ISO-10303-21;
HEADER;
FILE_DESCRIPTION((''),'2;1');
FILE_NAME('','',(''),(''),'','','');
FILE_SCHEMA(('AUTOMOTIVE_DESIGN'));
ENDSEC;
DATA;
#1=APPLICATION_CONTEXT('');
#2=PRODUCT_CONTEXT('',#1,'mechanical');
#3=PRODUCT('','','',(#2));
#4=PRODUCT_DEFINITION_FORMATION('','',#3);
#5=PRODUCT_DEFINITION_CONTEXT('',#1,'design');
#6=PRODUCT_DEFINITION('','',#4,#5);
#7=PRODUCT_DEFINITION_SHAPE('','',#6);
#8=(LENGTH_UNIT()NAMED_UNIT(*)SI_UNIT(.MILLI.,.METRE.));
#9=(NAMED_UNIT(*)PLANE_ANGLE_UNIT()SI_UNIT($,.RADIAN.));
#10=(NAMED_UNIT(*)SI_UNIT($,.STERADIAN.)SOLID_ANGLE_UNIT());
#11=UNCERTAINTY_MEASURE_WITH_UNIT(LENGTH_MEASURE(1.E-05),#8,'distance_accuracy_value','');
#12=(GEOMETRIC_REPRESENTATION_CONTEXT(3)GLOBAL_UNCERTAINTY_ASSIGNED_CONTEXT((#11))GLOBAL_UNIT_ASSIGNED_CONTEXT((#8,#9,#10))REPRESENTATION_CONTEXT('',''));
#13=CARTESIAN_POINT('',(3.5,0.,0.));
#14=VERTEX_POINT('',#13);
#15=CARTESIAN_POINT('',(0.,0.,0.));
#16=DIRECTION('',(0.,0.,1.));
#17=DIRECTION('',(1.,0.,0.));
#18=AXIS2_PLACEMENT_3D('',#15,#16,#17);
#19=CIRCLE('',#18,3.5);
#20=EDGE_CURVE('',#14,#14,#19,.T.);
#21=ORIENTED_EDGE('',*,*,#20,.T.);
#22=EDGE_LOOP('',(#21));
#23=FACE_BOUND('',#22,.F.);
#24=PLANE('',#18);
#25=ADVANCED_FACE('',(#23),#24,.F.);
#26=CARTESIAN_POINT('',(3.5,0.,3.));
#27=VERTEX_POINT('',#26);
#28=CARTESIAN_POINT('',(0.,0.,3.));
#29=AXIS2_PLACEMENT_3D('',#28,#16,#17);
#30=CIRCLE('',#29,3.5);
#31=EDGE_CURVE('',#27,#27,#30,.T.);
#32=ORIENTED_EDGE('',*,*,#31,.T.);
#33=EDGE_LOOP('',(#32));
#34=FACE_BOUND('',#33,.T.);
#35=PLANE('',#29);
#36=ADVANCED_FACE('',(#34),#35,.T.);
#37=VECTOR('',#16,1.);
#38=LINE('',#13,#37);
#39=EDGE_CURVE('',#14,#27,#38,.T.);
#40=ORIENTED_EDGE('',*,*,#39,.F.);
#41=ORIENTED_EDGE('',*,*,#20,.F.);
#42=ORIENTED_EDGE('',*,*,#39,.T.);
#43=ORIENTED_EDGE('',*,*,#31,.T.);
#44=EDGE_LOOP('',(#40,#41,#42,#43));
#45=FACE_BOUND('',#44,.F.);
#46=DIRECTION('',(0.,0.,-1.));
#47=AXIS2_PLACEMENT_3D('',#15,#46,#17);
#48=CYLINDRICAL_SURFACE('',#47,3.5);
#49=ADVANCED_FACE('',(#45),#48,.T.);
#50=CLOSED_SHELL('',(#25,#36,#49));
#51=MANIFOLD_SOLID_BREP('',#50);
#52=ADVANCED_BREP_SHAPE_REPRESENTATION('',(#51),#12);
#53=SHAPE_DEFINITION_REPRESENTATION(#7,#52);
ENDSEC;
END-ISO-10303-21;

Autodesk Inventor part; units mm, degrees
ref_plane "YZ Plane" through (0, 0, 0) normal (1, 0, 0) x (0, 1, 0)
ref_plane "XZ Plane" through (0, 0, 0) normal (0, 1, 0) x (-1, 0, 0)
ref_plane "XY Plane" through (0, 0, 0) normal (0, 0, 1) x (1, 0, 0)
sketch "Sketch1" plane through (0, 0, 0) normal (0, 0, 1) x (1, 0, 0)
  circle A0 centre (0, 0) radius 3.5
  dimension "d0" = 7
extrude "Extrusion1" add sketch "Sketch1" along normal blind 3
properties part number "ShaftMountingBlock"
